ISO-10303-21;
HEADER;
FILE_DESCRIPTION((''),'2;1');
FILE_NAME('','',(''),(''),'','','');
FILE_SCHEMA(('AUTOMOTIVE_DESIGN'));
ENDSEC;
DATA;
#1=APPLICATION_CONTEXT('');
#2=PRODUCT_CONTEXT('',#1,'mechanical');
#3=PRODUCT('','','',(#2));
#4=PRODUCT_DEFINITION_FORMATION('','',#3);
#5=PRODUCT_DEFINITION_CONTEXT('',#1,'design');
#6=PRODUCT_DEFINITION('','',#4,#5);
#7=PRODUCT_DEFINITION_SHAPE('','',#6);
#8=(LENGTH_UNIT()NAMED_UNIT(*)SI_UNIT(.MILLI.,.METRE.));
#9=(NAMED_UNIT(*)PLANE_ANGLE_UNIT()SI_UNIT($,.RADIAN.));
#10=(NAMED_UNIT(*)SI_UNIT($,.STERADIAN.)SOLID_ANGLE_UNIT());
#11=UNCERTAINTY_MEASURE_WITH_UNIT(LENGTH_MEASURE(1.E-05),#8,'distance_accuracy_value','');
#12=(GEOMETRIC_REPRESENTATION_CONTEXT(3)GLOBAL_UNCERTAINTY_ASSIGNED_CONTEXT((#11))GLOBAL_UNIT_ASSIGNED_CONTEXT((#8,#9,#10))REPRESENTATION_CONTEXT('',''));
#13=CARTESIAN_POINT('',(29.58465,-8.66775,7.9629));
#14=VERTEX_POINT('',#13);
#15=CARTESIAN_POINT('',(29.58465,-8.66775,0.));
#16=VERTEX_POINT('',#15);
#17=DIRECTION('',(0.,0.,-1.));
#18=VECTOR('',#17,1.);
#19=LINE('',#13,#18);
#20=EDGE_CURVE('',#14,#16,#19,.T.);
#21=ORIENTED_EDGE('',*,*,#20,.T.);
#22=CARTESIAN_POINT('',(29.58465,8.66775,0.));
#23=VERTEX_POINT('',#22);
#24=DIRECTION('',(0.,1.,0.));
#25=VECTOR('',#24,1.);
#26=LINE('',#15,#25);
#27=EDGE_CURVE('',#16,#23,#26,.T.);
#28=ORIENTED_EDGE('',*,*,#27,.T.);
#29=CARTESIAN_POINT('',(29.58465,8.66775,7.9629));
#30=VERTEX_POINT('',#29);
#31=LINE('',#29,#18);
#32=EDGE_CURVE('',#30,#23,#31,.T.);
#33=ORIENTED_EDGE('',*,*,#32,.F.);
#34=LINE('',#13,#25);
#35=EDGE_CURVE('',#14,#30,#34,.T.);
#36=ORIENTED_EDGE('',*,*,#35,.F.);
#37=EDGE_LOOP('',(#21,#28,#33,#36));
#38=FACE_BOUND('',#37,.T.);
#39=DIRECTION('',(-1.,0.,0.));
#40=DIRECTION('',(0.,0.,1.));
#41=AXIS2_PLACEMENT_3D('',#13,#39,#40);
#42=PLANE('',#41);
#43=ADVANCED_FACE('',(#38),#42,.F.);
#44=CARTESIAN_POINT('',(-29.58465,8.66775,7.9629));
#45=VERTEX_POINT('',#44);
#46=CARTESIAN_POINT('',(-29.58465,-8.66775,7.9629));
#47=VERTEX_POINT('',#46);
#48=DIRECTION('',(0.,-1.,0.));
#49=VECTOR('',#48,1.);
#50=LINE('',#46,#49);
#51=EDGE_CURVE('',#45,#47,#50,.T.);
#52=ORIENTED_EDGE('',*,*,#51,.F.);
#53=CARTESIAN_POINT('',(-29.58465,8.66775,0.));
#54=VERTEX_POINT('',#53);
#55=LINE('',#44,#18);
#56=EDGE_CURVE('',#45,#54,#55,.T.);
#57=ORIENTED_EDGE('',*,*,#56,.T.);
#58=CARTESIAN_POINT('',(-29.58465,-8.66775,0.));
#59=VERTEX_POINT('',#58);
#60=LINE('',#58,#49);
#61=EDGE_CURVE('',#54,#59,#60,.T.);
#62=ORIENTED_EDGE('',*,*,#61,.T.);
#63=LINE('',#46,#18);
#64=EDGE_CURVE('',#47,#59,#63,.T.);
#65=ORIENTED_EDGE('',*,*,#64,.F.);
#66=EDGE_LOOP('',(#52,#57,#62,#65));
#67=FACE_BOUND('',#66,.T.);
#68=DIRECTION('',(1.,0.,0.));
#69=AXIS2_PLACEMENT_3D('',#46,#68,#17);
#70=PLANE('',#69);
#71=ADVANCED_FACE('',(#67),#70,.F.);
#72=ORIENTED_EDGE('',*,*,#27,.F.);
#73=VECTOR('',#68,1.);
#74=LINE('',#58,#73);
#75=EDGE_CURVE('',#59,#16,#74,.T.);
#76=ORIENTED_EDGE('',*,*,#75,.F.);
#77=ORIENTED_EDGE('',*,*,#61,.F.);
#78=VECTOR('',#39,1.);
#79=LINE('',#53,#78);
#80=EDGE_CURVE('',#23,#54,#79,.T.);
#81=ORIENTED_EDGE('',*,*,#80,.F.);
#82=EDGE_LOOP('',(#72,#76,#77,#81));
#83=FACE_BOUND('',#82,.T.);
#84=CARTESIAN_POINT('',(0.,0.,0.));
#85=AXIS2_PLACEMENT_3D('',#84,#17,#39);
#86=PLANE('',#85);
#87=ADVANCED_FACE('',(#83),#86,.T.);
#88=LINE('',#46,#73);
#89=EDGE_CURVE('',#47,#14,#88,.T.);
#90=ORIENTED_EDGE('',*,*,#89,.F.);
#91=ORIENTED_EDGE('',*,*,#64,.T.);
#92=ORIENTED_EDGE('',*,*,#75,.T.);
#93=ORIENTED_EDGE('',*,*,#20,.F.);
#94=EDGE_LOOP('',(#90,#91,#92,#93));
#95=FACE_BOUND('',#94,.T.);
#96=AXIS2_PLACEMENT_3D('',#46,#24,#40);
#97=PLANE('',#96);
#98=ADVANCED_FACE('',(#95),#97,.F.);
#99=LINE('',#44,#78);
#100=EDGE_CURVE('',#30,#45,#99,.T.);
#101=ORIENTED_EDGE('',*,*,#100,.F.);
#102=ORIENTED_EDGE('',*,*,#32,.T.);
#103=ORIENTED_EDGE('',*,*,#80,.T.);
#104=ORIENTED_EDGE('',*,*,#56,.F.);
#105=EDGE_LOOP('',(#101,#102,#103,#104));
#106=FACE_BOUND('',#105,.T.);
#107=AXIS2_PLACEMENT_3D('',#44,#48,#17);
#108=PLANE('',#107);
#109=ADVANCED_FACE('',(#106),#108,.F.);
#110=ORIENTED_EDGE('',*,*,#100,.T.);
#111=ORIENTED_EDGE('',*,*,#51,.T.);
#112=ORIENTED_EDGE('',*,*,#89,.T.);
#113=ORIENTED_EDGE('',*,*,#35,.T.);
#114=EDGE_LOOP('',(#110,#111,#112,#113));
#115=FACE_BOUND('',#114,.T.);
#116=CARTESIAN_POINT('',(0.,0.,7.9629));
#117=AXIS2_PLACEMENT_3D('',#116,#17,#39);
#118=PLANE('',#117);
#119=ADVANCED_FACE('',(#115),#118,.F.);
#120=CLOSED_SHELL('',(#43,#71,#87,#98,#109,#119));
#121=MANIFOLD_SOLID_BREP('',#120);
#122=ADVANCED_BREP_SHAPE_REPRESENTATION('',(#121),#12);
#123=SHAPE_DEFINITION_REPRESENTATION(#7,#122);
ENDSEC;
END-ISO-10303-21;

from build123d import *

# Parameters (mm, degrees)
SKETCH1_W           = 59.1693
SKETCH1_H           = 17.3355
BOSS_EXTRUDE1_DEPTH = 7.9629


with BuildPart() as part:
    # Sketch1 → Boss-Extrude1 (new body)
    with BuildSketch(Plane.XY):
        Rectangle(SKETCH1_W, SKETCH1_H)
    extrude(amount=BOSS_EXTRUDE1_DEPTH)


solid = part.part
